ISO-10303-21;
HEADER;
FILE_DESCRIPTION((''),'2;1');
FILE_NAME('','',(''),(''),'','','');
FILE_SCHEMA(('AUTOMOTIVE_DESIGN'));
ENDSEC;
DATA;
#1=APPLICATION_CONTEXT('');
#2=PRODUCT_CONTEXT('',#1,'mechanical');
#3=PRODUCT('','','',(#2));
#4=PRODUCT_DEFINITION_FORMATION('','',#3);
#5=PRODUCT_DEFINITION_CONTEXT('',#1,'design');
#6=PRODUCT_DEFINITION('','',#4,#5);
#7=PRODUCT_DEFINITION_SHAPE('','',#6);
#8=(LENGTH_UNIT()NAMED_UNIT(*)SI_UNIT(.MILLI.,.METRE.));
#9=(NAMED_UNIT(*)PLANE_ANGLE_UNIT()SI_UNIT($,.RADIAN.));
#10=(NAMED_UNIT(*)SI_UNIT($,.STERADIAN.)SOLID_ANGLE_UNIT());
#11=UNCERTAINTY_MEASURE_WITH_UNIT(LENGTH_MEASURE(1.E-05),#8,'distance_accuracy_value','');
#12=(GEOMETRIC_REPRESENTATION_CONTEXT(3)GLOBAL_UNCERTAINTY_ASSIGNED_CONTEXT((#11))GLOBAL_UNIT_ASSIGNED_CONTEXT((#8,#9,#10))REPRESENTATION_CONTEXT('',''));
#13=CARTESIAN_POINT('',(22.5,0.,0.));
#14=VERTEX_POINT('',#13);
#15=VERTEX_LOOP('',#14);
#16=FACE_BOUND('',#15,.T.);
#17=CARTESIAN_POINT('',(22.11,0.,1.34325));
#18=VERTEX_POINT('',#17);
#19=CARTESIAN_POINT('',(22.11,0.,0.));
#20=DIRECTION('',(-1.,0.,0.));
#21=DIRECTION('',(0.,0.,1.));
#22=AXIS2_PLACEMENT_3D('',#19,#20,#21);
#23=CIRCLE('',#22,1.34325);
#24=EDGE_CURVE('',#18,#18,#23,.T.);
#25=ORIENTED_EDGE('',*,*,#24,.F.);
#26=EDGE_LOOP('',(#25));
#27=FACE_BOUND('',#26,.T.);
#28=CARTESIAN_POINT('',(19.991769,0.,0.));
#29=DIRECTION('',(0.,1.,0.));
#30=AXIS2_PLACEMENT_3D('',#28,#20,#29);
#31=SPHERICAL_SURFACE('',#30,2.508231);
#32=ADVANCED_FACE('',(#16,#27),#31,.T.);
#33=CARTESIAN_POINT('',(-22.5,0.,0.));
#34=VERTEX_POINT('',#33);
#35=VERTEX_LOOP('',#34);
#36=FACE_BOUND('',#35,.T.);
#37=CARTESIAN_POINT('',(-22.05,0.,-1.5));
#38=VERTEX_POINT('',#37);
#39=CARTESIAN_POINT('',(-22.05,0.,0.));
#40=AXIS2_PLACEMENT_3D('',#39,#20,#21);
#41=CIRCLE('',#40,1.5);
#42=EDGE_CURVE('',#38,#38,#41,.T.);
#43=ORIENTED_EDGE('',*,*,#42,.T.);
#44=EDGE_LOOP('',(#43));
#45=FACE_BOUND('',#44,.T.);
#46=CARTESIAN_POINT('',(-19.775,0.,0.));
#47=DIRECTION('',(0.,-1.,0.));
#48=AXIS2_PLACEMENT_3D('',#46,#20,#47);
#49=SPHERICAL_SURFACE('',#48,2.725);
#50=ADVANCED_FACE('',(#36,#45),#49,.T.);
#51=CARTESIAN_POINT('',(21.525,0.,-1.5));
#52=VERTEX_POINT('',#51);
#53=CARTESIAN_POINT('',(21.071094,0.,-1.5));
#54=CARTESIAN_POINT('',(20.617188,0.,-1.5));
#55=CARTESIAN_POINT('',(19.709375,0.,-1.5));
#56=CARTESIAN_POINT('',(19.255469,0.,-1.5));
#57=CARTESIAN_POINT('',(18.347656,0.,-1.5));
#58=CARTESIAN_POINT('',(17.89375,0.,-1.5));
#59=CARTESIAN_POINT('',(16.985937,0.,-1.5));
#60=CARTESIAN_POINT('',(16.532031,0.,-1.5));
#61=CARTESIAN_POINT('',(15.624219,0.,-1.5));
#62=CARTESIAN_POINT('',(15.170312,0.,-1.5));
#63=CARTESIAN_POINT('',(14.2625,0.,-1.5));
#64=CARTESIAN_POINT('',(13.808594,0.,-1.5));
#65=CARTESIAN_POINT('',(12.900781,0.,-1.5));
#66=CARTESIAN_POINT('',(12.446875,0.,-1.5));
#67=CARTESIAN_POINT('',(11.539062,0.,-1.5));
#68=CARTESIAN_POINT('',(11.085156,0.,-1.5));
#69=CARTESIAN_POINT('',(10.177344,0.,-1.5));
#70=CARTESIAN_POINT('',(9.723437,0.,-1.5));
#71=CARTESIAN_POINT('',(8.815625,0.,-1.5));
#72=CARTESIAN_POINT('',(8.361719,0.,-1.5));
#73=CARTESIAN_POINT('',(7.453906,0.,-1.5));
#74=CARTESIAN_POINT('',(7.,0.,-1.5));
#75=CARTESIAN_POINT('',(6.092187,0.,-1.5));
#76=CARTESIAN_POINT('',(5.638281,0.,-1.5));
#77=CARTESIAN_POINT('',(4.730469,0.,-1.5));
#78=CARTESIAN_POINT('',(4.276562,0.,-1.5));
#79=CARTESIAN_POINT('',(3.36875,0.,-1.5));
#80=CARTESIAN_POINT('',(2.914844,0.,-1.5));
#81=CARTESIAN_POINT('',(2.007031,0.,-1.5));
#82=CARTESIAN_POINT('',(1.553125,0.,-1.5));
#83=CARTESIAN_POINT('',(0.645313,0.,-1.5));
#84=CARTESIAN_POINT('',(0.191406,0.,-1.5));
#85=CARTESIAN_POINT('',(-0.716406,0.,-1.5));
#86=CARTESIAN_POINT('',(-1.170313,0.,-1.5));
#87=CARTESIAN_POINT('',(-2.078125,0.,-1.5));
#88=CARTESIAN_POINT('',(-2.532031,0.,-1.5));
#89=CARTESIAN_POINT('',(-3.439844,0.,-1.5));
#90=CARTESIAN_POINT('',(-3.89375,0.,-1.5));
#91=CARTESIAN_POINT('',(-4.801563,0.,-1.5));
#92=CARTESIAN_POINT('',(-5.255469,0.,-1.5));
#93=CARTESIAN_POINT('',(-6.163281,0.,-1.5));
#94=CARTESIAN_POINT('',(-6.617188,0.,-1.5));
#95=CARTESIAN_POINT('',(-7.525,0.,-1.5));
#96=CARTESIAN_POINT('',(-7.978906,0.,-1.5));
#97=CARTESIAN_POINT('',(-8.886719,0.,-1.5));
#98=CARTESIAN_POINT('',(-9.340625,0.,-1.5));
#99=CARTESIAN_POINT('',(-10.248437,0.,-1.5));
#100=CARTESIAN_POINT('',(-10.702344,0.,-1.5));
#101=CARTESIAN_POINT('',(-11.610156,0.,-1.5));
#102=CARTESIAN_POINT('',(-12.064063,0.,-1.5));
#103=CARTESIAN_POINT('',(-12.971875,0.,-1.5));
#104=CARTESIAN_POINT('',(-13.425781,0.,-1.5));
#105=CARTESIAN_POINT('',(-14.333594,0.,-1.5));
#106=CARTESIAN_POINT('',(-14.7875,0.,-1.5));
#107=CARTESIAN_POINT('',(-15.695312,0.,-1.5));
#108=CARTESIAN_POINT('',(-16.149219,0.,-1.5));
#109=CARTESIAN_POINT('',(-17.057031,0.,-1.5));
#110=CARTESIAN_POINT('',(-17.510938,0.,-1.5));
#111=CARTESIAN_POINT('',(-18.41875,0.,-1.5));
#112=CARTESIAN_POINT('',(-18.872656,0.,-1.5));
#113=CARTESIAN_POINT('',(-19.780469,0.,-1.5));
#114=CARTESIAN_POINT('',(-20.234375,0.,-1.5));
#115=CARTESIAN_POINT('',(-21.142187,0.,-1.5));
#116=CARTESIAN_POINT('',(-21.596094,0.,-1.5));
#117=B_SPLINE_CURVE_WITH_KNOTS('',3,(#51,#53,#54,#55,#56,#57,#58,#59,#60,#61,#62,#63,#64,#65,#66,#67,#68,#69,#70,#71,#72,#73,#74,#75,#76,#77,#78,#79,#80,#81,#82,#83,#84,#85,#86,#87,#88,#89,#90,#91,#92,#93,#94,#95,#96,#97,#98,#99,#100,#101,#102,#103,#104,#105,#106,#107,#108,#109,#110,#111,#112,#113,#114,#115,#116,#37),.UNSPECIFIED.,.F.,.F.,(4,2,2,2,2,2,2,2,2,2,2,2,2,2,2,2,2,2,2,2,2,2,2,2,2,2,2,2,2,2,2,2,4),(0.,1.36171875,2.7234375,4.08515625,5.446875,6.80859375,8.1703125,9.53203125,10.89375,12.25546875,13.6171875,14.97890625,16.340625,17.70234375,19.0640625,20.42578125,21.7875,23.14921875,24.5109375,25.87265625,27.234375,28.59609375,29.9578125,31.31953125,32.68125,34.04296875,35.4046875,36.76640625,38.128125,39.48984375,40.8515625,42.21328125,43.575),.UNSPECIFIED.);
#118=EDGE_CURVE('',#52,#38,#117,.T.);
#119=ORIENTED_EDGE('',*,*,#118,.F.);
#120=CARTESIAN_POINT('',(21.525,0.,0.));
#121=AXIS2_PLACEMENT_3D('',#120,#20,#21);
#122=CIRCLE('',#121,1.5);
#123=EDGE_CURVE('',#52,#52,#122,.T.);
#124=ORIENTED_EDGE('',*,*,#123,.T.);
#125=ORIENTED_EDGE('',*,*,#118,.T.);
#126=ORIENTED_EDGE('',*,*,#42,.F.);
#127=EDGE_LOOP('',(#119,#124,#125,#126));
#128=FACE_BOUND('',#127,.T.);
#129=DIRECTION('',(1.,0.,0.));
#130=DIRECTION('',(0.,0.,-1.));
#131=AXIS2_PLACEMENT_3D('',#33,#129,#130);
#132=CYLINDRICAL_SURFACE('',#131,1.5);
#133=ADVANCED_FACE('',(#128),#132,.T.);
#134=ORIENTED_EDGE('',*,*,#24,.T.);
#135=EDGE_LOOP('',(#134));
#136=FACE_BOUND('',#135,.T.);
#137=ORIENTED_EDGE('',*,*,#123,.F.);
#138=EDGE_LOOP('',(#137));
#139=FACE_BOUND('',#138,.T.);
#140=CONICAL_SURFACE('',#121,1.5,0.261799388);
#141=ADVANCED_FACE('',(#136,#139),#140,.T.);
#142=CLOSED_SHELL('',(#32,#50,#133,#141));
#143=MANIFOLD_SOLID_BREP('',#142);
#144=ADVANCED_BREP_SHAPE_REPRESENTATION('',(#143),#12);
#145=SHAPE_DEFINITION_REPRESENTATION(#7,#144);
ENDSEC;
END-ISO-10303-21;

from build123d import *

# Parameters (mm, degrees)
EXTRUDE1_DEPTH      = 22.5
EXTRUDE1_DEPTH_BACK = 22.5
SKETCH2_R           = 1.5


with BuildPart() as part:
    # Sketch2 → Extrude1 (new, two sides: drawn at the far end of the back side and taken through both)
    with BuildSketch(Plane(origin=(0, 0, 0), x_dir=(0, 0, -1), z_dir=(1, 0, 0)).offset(-EXTRUDE1_DEPTH_BACK)):
        Circle(SKETCH2_R)
    extrude(amount=EXTRUDE1_DEPTH + EXTRUDE1_DEPTH_BACK)

    # Sketch5 → Cut-Revolve1 (revolve, cut)
    with BuildSketch(Plane.XY, mode=Mode.PRIVATE) as cut_revolve1_sk:
        with BuildLine():
            Line((21.525, 1.5), (21.525, 2))
            Line((21.525, 2), (23, 2))
            Line((23, 2), (23, 0))
            Line((23, 0), (22.5, 0))
            ThreePointArc((22.5, 0), (22.40052754, 0.699360389), (22.11, 1.343249722))
            Line((22.11, 1.343249722), (21.525, 1.5))
        make_face()
        with BuildLine():
            Line((-22.05, 1.5), (-22.05, 2))
            Line((-22.05, 2), (-23, 2))
            Line((-23, 2), (-23, 0))
            Line((-23, 0), (-22.5, 0))
            ThreePointArc((-22.5, 0), (-22.385076627, 0.783022988), (-22.05, 1.5))
        make_face()
    revolve(cut_revolve1_sk.sketch.rotate(Axis((-22.5, 0, 0), (1, 0, 0)), 270), axis=Axis((-22.5, 0, 0), (1, 0, 0)), mode=Mode.SUBTRACT)


solid = part.part
